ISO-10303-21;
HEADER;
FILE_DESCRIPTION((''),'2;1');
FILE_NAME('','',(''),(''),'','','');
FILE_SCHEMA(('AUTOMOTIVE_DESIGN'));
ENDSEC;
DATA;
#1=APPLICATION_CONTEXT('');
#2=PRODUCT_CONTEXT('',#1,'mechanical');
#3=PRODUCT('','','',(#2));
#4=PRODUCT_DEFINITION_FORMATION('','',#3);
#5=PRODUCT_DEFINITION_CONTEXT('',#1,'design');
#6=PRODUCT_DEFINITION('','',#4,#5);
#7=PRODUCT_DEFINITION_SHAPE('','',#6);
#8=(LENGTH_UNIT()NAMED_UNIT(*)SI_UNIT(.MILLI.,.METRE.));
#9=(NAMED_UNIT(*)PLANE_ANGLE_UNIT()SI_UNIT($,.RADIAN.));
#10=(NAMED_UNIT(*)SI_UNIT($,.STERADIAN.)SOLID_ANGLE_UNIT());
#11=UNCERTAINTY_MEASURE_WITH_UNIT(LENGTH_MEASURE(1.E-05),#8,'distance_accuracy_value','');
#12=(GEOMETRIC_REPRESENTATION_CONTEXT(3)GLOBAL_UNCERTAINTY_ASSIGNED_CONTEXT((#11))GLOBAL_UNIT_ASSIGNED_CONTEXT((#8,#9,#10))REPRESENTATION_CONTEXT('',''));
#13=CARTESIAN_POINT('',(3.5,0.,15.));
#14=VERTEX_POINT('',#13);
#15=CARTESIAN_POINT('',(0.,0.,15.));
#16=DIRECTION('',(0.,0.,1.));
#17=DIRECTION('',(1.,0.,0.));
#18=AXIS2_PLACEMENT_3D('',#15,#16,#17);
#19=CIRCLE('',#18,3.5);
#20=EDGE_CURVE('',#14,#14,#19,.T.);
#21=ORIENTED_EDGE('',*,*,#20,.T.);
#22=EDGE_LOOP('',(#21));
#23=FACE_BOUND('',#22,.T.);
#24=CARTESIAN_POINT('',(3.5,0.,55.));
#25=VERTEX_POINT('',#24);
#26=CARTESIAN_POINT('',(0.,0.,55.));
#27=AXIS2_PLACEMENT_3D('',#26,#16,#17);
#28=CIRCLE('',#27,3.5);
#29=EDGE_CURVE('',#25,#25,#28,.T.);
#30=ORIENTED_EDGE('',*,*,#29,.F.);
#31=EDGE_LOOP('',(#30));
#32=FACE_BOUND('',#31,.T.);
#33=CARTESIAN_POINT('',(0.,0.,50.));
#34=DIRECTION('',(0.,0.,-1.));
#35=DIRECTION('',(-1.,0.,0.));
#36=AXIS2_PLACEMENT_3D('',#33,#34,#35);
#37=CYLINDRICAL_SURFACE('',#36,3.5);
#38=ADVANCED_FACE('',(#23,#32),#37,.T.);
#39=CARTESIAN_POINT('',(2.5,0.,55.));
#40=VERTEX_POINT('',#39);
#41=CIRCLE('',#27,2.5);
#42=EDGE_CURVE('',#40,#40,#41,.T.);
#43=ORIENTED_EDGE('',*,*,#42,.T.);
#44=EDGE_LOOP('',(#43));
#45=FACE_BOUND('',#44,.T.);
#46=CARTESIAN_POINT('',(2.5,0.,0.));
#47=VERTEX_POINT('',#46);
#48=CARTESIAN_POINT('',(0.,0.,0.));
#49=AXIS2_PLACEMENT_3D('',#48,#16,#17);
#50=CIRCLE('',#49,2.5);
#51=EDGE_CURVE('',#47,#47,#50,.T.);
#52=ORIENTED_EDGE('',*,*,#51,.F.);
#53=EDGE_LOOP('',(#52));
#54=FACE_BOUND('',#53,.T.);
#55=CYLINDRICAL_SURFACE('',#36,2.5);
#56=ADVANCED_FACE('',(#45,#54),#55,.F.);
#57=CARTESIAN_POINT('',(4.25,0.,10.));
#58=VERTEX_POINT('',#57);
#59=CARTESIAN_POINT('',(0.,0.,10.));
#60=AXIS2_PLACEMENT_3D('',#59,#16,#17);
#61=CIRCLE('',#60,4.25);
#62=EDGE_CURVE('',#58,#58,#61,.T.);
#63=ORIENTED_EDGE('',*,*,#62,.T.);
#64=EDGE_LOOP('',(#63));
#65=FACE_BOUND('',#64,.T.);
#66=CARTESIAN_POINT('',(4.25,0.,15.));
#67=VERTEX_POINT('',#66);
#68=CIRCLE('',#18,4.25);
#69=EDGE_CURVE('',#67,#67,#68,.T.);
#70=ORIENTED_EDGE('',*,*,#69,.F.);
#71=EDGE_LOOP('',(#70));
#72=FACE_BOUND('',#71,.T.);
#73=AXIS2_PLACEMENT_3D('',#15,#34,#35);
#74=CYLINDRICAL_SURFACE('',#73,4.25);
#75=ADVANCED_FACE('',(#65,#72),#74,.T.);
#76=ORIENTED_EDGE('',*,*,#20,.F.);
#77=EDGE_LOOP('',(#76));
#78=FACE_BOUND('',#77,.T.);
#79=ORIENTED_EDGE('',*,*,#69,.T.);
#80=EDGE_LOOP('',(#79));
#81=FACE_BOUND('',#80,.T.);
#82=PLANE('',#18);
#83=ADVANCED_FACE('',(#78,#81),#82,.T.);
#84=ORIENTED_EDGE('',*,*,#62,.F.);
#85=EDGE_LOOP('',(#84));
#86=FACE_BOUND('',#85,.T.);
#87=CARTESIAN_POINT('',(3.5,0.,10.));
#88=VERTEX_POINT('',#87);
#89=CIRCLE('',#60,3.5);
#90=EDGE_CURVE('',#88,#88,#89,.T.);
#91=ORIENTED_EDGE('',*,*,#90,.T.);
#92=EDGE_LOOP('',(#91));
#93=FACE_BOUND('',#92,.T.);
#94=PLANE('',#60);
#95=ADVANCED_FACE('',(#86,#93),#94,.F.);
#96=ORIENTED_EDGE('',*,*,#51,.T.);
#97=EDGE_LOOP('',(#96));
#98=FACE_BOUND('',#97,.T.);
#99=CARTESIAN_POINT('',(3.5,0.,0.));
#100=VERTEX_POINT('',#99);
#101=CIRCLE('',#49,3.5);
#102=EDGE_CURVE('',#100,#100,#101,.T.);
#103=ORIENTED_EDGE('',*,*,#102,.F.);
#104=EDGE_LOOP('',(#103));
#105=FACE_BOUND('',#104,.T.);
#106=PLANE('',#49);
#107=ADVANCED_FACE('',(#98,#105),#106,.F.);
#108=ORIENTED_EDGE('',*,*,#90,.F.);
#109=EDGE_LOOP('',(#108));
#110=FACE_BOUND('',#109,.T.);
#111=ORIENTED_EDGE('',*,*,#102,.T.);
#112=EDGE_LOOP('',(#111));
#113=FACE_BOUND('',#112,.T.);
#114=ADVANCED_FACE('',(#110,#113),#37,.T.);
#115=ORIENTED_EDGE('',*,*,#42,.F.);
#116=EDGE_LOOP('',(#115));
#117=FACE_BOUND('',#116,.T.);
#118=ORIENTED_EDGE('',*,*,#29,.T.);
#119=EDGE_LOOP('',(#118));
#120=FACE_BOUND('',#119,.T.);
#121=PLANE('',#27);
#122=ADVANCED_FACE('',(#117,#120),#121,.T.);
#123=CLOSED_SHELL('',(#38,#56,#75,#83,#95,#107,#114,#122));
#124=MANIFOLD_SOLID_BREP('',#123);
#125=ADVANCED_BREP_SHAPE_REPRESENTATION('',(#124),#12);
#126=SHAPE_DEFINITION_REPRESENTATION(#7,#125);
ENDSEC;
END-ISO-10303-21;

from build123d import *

# Parameters (mm, degrees)
IZIM1_R                     = 3.5
IZIM1_R_2                   = 2.5
Y_KSEKLIK_EKSTR_ZYON1_DEPTH = 50
IZIM2_R                     = 3.5
Y_KSEKLIK_EKSTR_ZYON2_DEPTH = 5
IZIM3_R                     = 4.25
Y_KSEKLIK_EKSTR_ZYON3_DEPTH = 5
IZIM5_R                     = 2.5
KES_EKSTR_ZYON1_DEPTH       = 60


with BuildPart() as part:
    # Çizim1 → Yükseklik-Ekstrüzyon1 (new body)
    with BuildSketch(Plane.XY):
        Circle(IZIM1_R)
        Circle(IZIM1_R_2, mode=Mode.SUBTRACT)
    extrude(amount=Y_KSEKLIK_EKSTR_ZYON1_DEPTH)

    # Çizim2 → Yükseklik-Ekstrüzyon2 (add)
    with BuildSketch(Plane.XY.offset(50)):
        Circle(IZIM2_R)
    extrude(amount=Y_KSEKLIK_EKSTR_ZYON2_DEPTH)

    # Çizim3 → Yükseklik-Ekstrüzyon3 (add)
    with BuildSketch(Plane.XY.offset(10)):
        Circle(IZIM3_R)
    extrude(amount=Y_KSEKLIK_EKSTR_ZYON3_DEPTH)

    # Çizim5 → Kes-Ekstrüzyon1 (cut)
    with BuildSketch(Plane(origin=(0, 0, 10), x_dir=(-1, 0, 0), z_dir=(0, 0, -1))):
        with Locations(Location((0, 0, 0), (0, 0, 180))):
            Circle(IZIM5_R)
    extrude(amount=-KES_EKSTR_ZYON1_DEPTH, mode=Mode.SUBTRACT)


solid = part.part
